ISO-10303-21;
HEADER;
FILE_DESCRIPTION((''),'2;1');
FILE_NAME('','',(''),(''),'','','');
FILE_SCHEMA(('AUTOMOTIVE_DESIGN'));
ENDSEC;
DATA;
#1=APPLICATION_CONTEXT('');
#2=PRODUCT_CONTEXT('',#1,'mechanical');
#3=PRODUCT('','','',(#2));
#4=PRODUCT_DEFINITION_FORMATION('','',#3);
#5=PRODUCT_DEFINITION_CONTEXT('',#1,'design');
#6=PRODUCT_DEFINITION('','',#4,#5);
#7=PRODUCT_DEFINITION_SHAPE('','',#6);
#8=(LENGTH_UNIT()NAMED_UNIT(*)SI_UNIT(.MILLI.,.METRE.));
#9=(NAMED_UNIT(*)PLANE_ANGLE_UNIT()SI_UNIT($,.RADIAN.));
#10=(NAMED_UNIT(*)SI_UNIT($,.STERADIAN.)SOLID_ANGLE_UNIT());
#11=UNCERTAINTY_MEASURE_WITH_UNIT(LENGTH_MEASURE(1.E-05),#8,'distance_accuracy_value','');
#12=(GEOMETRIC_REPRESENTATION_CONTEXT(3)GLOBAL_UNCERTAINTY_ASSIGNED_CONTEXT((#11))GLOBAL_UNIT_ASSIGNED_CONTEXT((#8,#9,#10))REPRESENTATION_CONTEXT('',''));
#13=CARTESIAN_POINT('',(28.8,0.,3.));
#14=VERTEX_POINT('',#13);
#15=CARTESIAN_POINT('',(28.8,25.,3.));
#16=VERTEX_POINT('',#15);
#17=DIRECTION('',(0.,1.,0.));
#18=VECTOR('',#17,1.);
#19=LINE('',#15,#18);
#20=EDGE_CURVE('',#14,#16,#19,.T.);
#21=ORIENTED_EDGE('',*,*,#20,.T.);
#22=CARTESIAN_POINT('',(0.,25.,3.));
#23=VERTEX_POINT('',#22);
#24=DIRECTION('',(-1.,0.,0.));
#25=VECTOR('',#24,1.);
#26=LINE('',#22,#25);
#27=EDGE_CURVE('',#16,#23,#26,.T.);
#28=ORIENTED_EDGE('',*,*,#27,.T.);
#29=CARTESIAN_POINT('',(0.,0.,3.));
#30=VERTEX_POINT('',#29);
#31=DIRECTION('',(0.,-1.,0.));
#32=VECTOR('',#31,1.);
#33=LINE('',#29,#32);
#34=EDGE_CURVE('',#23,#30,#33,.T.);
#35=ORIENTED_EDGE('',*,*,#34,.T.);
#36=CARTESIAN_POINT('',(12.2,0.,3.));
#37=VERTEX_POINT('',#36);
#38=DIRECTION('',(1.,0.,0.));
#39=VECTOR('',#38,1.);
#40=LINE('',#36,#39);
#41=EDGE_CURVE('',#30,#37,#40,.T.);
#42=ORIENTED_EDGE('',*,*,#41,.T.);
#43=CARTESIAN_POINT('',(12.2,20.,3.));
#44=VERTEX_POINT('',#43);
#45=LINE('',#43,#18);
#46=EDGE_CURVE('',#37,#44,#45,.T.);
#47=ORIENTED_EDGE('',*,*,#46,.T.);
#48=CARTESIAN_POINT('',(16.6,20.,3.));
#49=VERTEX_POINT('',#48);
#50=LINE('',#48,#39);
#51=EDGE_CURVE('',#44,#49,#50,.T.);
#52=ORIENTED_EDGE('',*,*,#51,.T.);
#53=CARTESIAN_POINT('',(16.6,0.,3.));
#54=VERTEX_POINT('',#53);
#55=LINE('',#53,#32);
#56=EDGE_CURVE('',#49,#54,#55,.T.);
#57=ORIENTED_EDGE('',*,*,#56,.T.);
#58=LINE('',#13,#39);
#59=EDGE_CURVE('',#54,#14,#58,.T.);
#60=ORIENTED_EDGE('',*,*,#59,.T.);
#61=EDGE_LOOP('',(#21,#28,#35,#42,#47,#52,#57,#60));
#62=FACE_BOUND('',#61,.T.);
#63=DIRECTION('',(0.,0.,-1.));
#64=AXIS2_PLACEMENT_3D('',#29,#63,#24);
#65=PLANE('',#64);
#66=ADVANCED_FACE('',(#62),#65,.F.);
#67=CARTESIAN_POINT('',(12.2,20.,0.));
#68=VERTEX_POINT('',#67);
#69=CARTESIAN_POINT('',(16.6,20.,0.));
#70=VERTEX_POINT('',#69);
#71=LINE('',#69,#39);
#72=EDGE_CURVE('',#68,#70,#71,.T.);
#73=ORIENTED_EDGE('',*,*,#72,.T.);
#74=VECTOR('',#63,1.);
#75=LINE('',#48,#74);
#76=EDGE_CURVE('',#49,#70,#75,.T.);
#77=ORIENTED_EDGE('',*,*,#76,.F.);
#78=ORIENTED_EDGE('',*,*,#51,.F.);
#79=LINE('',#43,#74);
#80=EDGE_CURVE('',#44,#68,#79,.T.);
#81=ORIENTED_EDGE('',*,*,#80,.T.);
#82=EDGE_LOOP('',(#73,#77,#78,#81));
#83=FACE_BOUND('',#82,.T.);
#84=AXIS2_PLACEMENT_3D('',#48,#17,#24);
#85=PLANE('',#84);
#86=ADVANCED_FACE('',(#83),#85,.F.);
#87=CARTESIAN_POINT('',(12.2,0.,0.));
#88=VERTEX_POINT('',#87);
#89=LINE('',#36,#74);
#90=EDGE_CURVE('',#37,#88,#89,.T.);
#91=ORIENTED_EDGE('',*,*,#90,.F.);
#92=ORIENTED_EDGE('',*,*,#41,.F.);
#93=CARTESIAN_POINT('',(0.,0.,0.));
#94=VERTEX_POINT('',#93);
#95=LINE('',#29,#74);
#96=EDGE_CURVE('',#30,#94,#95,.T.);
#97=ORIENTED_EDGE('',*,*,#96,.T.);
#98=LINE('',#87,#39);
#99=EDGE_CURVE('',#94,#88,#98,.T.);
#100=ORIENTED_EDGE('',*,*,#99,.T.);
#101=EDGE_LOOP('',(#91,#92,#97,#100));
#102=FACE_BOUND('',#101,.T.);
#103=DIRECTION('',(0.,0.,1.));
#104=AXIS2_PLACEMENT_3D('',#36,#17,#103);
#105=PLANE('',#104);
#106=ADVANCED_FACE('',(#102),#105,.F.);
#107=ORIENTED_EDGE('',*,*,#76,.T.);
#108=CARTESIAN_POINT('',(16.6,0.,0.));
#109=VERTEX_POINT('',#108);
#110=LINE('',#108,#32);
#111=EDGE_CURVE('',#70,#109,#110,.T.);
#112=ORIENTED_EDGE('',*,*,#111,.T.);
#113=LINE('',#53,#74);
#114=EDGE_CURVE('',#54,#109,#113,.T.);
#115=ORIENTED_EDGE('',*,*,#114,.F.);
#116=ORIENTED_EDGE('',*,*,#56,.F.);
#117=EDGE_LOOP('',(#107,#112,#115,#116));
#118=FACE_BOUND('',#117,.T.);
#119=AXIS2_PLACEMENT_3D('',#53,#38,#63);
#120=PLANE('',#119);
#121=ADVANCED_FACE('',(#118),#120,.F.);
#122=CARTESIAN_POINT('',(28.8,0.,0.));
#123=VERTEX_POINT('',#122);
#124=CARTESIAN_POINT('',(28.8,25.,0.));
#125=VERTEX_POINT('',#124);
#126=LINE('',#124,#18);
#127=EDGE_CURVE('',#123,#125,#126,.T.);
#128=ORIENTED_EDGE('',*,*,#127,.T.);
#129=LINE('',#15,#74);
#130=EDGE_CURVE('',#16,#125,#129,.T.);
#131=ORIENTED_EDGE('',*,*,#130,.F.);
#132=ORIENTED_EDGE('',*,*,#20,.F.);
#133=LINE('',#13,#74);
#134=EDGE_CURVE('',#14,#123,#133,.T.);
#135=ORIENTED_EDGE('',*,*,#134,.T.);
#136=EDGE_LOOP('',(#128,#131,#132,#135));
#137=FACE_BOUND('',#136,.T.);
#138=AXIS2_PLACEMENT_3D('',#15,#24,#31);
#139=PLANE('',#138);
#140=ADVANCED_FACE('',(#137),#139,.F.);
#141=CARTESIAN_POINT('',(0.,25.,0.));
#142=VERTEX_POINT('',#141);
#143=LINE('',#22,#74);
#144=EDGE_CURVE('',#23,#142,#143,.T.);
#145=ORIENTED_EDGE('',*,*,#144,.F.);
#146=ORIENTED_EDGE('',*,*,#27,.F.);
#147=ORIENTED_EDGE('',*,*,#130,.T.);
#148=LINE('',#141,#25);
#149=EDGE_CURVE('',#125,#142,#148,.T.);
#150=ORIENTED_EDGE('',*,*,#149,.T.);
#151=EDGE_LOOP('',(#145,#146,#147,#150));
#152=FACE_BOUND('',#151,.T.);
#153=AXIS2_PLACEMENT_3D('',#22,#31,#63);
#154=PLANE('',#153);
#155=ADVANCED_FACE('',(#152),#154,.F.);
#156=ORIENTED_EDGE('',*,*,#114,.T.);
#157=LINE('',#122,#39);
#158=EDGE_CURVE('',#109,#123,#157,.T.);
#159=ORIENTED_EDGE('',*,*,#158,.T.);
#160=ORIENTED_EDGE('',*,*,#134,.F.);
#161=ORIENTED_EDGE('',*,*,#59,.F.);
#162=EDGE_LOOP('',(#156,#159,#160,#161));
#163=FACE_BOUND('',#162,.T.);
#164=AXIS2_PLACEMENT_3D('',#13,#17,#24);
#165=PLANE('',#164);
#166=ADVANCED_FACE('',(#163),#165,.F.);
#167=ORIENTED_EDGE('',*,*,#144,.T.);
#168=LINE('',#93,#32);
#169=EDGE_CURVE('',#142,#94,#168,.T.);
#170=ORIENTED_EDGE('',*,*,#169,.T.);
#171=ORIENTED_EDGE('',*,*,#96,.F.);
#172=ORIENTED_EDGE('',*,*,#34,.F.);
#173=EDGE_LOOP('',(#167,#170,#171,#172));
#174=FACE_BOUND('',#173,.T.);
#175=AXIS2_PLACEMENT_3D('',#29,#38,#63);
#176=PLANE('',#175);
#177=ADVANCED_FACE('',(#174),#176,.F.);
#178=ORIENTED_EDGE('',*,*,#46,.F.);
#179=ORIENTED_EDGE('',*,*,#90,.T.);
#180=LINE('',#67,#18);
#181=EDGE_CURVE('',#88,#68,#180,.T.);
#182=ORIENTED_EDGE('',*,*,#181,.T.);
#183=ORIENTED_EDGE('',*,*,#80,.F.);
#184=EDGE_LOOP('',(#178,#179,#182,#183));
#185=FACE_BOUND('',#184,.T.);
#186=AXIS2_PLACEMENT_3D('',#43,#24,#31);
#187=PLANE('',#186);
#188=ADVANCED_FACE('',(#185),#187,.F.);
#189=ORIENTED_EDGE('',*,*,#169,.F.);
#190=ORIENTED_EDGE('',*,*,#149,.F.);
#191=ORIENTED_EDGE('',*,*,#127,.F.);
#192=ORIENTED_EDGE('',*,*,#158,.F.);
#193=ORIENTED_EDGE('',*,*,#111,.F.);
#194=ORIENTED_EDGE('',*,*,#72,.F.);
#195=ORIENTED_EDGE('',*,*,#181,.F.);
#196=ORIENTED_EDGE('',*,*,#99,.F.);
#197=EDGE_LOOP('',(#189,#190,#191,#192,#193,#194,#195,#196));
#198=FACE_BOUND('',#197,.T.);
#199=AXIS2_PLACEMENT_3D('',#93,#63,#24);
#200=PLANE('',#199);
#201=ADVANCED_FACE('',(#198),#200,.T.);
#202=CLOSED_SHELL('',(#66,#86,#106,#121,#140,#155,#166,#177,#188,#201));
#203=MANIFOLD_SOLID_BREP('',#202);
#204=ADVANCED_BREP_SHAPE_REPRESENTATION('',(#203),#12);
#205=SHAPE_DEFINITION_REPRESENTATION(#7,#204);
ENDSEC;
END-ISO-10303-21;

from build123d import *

# Parameters (mm, degrees)
BOSS_EXTRUDE1_DEPTH = 3


with BuildPart() as part:
    # Sketch1 → Boss-Extrude1 (new body)
    with BuildSketch(Plane.XY):
        Polygon((0, 0), (0, 25), (28.8, 25), (28.8, 0), (16.6, 0), (16.6, 20), (12.2, 20), (12.2, 0), align=None)
    extrude(amount=BOSS_EXTRUDE1_DEPTH)


solid = part.part
